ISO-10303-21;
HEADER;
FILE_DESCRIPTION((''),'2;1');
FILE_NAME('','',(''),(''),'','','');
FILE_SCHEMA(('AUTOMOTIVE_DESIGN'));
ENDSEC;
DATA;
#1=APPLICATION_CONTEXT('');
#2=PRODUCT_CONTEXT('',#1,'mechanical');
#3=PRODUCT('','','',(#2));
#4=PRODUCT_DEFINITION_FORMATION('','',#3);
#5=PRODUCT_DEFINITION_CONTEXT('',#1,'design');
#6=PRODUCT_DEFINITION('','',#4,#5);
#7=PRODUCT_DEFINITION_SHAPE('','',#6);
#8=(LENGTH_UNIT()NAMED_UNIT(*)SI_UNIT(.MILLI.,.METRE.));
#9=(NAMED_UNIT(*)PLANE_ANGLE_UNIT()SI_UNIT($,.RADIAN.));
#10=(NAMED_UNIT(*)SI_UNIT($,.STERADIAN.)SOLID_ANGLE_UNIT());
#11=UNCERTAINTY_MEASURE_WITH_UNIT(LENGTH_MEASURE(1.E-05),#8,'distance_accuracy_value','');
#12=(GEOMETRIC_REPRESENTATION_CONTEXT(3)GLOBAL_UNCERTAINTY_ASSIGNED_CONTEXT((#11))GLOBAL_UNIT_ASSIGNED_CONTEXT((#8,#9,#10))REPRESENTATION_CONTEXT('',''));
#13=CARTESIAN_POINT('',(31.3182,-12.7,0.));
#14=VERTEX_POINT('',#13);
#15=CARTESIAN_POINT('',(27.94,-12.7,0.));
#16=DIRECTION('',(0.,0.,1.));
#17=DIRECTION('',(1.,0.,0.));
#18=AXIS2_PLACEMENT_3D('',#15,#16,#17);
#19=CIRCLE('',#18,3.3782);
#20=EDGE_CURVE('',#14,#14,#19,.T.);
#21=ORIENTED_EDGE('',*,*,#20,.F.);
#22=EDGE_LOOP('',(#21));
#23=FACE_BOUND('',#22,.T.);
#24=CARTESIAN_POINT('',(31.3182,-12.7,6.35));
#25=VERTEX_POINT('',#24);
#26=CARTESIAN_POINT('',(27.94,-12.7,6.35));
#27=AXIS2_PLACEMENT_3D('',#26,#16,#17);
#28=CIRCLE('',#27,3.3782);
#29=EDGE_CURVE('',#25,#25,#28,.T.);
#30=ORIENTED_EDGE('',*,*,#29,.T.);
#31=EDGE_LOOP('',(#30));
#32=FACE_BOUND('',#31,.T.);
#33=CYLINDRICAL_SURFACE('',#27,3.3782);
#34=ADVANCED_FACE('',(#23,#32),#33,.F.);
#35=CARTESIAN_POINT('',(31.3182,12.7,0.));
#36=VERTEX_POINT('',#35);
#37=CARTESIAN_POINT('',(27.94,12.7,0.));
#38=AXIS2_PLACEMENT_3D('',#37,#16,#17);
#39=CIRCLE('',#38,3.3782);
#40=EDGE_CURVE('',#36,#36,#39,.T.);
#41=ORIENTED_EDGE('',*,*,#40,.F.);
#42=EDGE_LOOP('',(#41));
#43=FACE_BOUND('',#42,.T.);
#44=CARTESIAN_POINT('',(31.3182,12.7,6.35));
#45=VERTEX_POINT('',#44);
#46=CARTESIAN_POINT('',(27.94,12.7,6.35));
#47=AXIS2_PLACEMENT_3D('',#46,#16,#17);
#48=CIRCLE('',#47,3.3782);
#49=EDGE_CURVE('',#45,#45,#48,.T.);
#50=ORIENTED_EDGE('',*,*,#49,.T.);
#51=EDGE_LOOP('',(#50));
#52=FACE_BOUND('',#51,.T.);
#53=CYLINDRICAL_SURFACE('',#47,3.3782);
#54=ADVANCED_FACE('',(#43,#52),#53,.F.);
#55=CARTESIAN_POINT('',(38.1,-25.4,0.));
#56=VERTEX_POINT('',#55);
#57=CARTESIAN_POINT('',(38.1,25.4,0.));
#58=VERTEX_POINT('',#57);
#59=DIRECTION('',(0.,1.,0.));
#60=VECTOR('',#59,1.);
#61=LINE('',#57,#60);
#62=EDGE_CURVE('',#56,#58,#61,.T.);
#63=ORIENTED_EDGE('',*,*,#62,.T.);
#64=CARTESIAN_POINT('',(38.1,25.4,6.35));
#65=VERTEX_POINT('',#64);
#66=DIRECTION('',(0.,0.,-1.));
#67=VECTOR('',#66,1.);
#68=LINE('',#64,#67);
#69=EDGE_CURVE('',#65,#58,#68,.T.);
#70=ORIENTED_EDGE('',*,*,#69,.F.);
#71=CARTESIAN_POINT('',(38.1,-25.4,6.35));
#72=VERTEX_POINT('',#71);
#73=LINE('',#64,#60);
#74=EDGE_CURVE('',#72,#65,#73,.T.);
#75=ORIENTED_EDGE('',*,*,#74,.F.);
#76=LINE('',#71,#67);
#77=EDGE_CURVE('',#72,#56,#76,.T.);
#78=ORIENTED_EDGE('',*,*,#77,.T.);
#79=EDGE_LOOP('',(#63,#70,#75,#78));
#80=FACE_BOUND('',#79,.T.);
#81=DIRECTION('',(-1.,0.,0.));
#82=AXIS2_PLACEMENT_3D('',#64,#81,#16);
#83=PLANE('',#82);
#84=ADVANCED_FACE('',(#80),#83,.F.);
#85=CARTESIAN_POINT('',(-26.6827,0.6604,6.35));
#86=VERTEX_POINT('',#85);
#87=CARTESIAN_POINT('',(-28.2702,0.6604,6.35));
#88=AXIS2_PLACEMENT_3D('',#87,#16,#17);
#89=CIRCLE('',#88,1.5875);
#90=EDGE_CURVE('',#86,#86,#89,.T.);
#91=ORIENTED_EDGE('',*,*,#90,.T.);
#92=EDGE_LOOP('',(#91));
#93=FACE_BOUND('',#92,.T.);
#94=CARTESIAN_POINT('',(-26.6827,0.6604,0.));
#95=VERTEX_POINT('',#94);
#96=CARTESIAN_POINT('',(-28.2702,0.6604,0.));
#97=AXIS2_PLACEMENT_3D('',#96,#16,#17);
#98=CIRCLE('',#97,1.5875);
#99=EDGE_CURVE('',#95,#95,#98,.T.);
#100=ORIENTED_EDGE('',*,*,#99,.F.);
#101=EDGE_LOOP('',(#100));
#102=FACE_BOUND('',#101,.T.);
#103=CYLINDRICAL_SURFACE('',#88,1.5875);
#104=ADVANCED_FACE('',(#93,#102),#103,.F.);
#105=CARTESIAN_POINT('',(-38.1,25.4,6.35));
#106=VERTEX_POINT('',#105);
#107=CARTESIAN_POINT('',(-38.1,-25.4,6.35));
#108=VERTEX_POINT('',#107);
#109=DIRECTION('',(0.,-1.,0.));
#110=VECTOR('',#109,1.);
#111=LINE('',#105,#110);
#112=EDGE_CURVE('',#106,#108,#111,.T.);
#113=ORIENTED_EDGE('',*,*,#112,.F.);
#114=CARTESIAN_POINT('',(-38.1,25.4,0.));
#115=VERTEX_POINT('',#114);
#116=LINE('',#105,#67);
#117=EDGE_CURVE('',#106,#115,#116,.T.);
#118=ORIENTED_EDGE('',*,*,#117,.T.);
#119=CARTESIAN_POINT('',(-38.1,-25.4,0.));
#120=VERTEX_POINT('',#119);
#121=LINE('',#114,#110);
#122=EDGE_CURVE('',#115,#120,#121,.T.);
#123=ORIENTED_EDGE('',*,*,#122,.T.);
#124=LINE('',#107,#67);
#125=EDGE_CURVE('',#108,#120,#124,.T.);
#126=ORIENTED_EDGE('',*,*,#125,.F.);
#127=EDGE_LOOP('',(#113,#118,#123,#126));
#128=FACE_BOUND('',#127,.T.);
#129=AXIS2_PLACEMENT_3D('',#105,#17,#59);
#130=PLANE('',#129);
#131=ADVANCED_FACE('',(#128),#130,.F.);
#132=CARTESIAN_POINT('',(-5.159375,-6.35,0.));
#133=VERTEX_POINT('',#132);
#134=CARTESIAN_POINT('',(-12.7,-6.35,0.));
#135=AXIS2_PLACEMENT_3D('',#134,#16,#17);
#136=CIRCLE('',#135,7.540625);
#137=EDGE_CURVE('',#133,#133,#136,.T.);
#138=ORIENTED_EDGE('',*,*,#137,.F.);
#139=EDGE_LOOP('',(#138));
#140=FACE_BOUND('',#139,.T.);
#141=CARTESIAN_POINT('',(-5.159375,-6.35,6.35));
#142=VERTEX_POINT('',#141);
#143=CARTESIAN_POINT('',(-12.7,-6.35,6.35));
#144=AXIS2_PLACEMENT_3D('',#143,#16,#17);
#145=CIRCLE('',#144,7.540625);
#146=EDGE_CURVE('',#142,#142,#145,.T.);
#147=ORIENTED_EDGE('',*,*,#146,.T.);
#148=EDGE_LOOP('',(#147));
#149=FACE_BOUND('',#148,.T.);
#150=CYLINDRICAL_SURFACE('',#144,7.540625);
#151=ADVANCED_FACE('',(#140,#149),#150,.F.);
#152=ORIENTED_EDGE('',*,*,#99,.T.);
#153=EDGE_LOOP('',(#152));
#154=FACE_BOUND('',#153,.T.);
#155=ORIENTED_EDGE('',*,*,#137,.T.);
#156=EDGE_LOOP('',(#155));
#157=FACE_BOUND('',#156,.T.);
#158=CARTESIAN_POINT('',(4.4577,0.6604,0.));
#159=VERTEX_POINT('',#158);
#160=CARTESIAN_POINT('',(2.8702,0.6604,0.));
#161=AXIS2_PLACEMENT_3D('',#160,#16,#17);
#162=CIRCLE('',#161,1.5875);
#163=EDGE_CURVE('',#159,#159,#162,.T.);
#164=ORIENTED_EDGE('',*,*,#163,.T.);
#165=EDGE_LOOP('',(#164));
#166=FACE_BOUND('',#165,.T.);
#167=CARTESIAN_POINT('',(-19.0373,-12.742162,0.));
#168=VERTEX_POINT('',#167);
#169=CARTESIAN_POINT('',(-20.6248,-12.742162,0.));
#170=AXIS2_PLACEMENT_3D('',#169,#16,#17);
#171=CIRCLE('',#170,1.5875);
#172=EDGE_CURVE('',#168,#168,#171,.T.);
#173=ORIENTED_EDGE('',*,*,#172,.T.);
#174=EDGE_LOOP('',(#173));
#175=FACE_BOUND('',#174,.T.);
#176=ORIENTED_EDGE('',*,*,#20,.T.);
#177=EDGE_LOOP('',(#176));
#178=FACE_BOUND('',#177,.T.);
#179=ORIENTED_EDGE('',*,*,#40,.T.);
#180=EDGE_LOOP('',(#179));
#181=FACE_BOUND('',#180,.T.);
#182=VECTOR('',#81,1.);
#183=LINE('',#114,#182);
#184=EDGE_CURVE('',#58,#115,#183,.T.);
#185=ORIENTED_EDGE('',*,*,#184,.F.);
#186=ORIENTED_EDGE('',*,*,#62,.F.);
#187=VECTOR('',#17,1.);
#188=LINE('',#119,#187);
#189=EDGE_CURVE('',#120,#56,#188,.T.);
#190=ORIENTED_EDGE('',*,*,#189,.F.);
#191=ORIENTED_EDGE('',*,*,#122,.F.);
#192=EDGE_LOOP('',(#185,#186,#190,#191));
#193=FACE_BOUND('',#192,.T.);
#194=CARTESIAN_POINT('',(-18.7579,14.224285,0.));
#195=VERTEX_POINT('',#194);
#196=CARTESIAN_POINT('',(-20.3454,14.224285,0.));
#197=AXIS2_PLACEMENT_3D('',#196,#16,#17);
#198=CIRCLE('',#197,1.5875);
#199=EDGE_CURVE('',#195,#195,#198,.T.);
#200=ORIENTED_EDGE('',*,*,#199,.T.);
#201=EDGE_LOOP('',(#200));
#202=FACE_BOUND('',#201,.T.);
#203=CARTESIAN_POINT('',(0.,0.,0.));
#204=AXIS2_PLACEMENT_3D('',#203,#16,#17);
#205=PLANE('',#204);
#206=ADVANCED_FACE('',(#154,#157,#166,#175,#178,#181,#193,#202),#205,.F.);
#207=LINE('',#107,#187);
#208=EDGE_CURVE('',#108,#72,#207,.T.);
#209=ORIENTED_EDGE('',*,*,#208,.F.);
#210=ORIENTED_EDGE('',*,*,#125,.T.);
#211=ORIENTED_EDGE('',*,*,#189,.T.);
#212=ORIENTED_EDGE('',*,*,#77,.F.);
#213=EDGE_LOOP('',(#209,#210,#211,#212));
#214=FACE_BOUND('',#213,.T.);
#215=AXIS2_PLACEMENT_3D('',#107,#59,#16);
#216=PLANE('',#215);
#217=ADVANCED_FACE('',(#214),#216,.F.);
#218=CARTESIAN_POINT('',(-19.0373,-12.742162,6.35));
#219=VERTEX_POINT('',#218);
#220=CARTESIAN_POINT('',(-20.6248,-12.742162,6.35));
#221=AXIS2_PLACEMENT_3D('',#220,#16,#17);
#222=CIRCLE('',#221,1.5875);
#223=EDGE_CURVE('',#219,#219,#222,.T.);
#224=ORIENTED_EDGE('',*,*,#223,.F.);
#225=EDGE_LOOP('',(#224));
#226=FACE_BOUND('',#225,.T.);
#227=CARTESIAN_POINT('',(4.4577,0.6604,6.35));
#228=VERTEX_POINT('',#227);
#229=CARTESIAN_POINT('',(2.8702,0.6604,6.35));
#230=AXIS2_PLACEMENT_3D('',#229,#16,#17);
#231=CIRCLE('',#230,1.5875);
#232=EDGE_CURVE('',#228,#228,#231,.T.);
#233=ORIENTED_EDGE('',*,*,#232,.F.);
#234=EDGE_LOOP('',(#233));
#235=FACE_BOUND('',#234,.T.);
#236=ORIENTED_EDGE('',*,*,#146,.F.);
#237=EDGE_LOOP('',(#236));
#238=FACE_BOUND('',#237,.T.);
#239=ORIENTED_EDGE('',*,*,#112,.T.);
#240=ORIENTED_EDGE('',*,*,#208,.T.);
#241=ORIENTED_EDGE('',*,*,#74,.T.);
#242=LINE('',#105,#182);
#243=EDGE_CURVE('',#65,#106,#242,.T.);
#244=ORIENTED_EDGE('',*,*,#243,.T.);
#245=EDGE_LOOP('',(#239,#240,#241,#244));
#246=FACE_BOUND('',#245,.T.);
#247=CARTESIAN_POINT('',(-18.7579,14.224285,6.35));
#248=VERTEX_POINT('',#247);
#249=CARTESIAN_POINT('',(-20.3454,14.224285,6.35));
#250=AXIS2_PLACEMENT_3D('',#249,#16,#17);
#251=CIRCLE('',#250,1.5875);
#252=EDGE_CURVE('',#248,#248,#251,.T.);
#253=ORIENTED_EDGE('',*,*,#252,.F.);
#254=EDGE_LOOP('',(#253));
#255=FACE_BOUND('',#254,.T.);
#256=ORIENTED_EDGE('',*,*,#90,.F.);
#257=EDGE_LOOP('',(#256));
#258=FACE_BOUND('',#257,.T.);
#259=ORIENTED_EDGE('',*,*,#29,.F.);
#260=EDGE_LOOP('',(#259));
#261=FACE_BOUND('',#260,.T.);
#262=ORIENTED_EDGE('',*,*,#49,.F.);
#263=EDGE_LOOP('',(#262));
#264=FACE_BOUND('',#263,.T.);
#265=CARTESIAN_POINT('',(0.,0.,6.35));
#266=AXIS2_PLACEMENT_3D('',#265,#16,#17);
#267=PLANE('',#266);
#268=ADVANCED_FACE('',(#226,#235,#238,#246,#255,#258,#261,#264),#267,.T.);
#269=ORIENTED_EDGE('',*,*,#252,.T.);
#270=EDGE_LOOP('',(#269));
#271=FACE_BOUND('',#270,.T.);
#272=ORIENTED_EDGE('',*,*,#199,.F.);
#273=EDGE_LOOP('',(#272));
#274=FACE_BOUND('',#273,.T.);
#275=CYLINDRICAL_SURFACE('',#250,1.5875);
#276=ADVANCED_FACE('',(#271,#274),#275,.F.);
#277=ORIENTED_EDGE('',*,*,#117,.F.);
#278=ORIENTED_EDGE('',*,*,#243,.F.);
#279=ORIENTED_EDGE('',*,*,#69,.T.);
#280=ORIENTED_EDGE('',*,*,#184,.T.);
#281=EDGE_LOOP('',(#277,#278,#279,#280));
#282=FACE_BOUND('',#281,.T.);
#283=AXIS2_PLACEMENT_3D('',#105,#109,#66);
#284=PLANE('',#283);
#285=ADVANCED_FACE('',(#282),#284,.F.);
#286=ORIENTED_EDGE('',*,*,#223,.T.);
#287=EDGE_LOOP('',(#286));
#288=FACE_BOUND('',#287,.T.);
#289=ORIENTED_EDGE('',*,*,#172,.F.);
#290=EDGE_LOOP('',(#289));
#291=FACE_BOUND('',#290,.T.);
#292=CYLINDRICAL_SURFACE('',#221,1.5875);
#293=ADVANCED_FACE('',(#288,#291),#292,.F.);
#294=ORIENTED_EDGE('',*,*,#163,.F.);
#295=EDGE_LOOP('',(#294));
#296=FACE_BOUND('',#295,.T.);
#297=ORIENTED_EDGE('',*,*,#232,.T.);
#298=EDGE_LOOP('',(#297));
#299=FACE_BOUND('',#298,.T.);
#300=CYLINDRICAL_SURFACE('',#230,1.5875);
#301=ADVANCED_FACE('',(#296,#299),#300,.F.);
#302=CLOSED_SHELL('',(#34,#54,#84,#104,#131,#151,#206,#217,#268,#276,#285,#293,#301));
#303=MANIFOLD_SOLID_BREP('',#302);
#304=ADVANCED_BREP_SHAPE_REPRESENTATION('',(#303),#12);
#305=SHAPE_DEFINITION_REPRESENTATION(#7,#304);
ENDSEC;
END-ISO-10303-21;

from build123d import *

# Parameters (mm, degrees)
SKETCH1_W                        = 76.2
SKETCH1_H                        = 50.8
BOSS_EXTRUDE1_DEPTH              = 6.35
F_19_32_0_59375_DIAMETER_HOLE1_D = 15.08125
F_1_8_0_125_DIAMETER_HOLE1_D     = 3.175
H_0_266_DIAMETER_HOLE1_D         = 6.7564


with BuildPart() as part:
    # Sketch1 → Boss-Extrude1 (new body)
    with BuildSketch(Plane.XY):
        Rectangle(SKETCH1_W, SKETCH1_H)
    extrude(amount=BOSS_EXTRUDE1_DEPTH)

    # 19/32 (0.59375) Diameter Hole1 (through all)
    with Locations(Plane.XY.offset(6.35)):
        with Locations((-12.7, -6.35)):
            Hole(F_19_32_0_59375_DIAMETER_HOLE1_D / 2)

    # 1/8 (0.125) Diameter Hole1 (through all)
    with Locations(Plane.XY.offset(6.35)):
        with Locations((-20.3454, 14.22428539), (-28.2702, 0.6604), (-20.6248, -12.74216218), (2.8702, 0.6604)):
            Hole(F_1_8_0_125_DIAMETER_HOLE1_D / 2)

    # H (0.266) Diameter Hole1 (through all)
    with Locations(Plane.XY.offset(6.35)):
        with Locations((27.94, 12.7), (27.94, -12.7)):
            Hole(H_0_266_DIAMETER_HOLE1_D / 2)


solid = part.part
